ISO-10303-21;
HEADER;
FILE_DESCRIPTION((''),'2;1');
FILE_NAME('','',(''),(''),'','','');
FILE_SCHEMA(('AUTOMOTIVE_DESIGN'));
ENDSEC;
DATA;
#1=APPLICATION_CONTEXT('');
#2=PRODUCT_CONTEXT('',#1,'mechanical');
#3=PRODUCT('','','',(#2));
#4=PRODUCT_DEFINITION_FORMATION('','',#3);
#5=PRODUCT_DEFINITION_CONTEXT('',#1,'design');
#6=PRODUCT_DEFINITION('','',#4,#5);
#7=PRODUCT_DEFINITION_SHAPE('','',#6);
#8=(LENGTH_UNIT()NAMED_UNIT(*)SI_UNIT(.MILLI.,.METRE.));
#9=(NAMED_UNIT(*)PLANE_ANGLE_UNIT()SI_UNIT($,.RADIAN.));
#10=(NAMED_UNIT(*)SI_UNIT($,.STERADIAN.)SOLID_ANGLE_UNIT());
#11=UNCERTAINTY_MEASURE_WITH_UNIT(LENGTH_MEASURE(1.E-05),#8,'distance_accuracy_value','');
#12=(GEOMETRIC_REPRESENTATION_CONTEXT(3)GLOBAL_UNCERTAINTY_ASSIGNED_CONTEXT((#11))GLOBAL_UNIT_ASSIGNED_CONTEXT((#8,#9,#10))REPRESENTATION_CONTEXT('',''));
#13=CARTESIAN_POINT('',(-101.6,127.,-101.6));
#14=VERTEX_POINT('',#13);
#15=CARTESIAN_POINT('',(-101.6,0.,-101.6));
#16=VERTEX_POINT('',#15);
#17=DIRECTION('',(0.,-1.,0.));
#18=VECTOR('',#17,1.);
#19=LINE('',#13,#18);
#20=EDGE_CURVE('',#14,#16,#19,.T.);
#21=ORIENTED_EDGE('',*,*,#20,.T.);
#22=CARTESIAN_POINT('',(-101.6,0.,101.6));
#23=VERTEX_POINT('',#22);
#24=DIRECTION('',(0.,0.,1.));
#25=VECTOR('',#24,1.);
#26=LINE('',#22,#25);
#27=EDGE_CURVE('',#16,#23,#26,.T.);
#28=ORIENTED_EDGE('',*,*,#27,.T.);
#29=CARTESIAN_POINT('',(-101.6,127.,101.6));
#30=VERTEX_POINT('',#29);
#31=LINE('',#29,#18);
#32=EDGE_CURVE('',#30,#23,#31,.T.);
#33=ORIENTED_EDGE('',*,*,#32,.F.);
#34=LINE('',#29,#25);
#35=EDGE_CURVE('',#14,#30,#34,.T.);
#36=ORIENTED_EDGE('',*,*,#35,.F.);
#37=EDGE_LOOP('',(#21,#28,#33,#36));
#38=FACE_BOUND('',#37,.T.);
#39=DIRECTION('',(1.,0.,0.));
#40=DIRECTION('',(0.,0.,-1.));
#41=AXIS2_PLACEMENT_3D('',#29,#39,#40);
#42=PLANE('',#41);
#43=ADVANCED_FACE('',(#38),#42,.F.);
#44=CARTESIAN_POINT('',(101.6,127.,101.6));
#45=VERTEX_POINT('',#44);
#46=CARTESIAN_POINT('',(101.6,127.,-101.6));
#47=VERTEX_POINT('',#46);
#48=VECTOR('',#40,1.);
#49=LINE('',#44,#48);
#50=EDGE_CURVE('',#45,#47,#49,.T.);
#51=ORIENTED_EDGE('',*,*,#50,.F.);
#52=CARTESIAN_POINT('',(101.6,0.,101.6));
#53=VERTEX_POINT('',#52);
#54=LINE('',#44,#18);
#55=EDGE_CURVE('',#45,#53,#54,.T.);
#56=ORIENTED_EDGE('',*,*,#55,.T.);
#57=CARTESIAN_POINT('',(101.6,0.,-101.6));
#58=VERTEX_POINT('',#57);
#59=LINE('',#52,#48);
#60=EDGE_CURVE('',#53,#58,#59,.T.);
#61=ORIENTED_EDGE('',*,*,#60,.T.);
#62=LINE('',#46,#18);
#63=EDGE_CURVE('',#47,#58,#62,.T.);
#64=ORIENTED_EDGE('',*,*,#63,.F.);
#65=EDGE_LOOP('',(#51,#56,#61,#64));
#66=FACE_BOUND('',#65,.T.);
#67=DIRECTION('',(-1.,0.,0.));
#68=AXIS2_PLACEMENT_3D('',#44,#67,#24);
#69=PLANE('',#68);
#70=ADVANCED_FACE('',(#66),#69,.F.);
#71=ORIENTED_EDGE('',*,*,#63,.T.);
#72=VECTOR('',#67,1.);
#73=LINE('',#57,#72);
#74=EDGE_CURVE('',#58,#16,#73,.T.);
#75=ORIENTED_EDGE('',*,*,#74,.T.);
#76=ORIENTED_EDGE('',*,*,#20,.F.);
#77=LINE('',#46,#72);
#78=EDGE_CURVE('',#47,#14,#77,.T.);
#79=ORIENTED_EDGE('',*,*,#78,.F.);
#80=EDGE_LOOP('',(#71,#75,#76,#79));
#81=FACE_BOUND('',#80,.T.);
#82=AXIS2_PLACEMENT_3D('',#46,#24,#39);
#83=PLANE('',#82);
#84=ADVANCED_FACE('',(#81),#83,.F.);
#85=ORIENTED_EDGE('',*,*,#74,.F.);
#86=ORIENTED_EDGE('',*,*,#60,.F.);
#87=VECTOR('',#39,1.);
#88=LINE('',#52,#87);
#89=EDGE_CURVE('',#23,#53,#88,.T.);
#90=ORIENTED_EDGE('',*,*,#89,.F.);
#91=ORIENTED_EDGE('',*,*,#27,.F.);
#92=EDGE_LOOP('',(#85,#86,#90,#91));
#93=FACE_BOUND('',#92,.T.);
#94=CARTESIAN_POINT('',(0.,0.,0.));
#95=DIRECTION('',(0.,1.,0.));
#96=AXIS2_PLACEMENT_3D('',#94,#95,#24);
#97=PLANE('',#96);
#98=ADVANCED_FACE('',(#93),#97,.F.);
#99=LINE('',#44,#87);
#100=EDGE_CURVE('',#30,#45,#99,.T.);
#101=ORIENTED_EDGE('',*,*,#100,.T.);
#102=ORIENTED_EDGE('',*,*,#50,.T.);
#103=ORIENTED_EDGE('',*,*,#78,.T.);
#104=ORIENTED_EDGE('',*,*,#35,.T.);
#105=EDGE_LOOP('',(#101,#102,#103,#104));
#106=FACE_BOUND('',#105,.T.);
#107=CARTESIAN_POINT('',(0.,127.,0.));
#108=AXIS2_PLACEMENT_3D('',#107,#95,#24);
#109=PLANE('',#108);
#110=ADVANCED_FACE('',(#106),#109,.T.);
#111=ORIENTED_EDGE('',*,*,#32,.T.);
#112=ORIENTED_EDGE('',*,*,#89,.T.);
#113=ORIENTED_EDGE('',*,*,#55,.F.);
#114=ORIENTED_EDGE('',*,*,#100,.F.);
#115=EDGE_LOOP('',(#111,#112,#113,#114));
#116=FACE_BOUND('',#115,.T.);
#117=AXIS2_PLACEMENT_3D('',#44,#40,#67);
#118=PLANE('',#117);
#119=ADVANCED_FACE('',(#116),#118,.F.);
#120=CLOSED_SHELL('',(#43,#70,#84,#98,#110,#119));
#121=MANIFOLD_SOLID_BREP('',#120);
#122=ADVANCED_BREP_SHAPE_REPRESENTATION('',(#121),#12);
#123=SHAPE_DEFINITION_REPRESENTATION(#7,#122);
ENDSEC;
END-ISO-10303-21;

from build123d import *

# Parameters (mm, degrees)
SKETCH1_W           = 203.2
SKETCH1_H           = 203.2
BOSS_EXTRUDE1_DEPTH = 127


with BuildPart() as part:
    # Sketch1 → Boss-Extrude1 (new body)
    with BuildSketch(Plane(origin=(0, 0, 0), x_dir=(1, 0, 0), z_dir=(0, 1, 0))):
        Rectangle(SKETCH1_W, SKETCH1_H)
    extrude(amount=BOSS_EXTRUDE1_DEPTH)


solid = part.part
